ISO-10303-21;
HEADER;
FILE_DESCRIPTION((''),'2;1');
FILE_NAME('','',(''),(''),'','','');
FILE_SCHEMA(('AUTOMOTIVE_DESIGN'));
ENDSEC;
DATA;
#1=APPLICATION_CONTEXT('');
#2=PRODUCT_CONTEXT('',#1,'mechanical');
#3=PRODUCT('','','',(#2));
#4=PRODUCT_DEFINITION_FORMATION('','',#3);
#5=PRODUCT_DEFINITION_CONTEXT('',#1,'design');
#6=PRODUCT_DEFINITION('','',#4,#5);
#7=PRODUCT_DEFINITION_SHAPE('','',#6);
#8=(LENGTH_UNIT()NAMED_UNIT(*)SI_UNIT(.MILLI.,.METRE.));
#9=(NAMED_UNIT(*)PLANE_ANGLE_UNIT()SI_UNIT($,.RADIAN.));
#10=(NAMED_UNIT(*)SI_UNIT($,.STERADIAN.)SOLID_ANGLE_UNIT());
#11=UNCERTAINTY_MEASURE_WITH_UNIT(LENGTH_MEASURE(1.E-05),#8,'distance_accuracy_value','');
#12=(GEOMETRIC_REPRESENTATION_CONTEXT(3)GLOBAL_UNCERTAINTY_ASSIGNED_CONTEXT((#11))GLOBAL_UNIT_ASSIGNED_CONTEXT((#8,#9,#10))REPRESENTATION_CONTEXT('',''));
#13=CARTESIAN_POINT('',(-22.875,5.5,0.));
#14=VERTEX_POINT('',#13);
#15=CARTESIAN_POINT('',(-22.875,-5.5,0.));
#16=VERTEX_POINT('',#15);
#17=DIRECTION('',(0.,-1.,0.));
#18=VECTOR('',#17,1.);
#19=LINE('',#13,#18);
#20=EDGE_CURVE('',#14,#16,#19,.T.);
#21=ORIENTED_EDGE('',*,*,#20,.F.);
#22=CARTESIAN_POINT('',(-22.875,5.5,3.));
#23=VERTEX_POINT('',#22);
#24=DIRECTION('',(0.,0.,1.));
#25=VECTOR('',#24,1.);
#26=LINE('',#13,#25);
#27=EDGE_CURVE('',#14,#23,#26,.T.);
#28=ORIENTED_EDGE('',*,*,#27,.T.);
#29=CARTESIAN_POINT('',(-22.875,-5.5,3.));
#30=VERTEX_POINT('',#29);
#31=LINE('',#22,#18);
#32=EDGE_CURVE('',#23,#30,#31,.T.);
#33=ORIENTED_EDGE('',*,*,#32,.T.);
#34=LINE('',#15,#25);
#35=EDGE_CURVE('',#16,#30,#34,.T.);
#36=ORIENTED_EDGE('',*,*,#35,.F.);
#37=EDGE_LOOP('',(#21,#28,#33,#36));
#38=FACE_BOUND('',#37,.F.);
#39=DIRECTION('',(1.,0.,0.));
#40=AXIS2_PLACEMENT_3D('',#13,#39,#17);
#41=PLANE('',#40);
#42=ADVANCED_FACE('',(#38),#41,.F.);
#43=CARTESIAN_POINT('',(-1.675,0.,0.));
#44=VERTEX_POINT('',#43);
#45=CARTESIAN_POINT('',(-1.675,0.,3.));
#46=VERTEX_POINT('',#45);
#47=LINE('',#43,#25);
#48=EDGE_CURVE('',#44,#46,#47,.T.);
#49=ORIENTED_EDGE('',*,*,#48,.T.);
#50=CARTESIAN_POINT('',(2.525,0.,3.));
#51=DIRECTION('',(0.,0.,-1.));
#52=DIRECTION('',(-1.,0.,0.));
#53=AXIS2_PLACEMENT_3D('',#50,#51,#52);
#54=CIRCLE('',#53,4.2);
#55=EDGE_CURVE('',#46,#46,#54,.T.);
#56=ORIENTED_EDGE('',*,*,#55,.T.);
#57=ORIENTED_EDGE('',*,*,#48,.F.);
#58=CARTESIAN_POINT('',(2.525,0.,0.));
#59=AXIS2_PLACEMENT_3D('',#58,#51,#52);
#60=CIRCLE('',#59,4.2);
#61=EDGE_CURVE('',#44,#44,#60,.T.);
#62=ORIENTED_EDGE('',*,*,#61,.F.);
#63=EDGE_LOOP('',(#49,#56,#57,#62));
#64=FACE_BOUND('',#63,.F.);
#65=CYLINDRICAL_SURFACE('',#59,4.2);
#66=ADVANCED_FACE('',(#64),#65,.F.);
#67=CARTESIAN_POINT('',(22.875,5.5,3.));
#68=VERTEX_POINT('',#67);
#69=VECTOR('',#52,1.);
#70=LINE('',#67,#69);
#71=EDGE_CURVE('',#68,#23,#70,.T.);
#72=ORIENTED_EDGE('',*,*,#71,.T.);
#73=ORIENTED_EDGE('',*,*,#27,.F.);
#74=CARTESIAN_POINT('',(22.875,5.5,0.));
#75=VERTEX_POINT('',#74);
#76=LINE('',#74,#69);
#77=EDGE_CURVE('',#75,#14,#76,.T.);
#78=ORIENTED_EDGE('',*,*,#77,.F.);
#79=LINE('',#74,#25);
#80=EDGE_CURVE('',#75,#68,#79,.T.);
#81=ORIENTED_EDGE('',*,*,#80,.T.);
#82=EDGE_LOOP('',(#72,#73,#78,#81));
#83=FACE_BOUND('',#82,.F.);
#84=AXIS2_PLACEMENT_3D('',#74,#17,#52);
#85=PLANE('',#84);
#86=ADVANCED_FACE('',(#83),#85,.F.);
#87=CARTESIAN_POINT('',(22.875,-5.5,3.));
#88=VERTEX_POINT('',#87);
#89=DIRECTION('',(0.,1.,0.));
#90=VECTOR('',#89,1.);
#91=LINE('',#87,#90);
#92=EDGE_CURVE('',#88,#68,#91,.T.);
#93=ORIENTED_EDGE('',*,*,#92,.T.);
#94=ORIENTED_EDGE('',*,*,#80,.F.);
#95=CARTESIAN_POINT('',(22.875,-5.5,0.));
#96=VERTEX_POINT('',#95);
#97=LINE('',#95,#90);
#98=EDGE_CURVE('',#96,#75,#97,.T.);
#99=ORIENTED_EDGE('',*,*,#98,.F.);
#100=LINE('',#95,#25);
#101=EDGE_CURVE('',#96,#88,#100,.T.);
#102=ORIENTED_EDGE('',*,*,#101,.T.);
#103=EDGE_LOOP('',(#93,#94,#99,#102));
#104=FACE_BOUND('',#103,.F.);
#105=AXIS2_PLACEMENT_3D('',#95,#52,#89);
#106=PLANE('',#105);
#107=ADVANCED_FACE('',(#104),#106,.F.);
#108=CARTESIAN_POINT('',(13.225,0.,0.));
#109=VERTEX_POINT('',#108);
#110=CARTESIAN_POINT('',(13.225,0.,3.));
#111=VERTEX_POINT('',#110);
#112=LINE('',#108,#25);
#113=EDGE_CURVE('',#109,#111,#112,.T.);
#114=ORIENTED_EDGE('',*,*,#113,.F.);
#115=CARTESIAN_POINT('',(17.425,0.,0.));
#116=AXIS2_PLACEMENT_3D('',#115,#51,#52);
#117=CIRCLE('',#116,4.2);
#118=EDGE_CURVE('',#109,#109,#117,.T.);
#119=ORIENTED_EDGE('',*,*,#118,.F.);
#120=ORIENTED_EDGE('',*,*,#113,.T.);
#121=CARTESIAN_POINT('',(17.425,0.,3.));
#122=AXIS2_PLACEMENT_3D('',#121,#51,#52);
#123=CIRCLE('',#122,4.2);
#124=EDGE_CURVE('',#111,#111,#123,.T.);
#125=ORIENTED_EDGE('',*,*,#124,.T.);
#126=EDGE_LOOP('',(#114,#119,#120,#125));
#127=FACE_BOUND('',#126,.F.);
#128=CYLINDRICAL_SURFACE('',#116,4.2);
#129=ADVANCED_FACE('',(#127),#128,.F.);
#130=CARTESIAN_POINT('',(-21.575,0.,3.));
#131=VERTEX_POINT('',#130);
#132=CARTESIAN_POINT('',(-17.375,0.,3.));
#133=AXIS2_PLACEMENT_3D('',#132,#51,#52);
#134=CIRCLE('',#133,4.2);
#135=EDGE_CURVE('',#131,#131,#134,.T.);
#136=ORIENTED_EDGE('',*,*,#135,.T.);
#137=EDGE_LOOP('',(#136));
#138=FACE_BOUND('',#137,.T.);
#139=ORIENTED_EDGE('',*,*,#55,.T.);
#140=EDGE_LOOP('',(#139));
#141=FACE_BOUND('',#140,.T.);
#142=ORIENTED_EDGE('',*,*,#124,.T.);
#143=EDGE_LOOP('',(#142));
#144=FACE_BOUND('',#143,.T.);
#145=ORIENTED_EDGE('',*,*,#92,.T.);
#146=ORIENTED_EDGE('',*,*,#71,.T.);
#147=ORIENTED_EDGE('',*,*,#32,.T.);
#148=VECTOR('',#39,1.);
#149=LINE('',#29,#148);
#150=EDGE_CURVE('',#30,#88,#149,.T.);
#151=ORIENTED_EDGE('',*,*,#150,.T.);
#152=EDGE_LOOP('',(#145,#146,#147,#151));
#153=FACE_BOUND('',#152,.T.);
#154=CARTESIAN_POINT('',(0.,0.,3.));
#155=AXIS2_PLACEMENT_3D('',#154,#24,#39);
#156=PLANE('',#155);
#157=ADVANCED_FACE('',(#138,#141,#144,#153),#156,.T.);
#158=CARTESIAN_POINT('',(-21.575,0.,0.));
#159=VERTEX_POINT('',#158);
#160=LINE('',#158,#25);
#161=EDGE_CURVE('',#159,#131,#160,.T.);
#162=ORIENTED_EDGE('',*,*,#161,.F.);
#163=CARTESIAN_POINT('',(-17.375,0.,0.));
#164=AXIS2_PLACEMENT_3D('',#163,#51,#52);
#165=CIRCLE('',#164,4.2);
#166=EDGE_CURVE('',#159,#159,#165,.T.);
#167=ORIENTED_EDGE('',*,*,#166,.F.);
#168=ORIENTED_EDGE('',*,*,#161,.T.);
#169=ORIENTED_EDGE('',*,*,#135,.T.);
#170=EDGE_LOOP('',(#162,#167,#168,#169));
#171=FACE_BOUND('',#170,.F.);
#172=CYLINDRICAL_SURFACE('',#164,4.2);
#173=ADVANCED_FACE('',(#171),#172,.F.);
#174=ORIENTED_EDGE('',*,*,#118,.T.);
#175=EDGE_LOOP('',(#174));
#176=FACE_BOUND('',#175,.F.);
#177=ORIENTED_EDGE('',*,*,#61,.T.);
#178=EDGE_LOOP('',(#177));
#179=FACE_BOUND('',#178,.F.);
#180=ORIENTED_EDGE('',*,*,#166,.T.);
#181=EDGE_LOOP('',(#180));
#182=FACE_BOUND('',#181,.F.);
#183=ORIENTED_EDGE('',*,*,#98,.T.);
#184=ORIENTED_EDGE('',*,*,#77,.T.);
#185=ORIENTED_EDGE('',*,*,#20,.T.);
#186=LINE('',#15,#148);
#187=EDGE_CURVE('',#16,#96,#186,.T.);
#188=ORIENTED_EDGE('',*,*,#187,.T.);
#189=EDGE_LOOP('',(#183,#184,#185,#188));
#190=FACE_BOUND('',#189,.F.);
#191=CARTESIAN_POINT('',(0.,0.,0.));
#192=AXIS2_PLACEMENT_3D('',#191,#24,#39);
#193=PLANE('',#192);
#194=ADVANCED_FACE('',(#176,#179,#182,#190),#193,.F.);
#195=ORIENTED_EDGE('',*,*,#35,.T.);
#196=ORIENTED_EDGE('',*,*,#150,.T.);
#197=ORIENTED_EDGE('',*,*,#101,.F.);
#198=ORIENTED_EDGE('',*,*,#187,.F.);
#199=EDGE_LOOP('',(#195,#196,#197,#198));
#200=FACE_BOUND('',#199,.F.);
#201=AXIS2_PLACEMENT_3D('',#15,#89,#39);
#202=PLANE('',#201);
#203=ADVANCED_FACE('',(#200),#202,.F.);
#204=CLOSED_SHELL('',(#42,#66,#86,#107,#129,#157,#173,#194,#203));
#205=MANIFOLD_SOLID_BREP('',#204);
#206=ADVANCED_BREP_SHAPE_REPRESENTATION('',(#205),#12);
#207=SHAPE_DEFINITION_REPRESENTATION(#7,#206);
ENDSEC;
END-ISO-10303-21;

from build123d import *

# Parameters (mm, degrees)
F1_DEPTH = 3


with BuildPart() as f1:
    # F0 (on Top) → F1 (new body)
    with BuildSketch(Plane.XY):
        Polygon((22.875, -5.5), (22.875, 5.5), (-22.875, 5.5), (-22.875, 0), (-22.875, -5.5), align=None)
        with BuildLine():
            ThreePointArc((-13.175, 0), (-17.375, -4.2), (-21.575, 0))
            ThreePointArc((-21.575, 0), (-17.375, 4.2), (-13.175, 0))
        make_face(mode=Mode.SUBTRACT)
        with BuildLine():
            ThreePointArc((6.725, 0), (2.525, -4.2), (-1.675, 0))
            ThreePointArc((-1.675, 0), (2.525, 4.2), (6.725, 0))
        make_face(mode=Mode.SUBTRACT)
        with BuildLine():
            ThreePointArc((21.625, 0), (17.425, -4.2), (13.225, 0))
            ThreePointArc((13.225, 0), (17.425, 4.2), (21.625, 0))
        make_face(mode=Mode.SUBTRACT)
    extrude(amount=F1_DEPTH)


solid = f1.part
